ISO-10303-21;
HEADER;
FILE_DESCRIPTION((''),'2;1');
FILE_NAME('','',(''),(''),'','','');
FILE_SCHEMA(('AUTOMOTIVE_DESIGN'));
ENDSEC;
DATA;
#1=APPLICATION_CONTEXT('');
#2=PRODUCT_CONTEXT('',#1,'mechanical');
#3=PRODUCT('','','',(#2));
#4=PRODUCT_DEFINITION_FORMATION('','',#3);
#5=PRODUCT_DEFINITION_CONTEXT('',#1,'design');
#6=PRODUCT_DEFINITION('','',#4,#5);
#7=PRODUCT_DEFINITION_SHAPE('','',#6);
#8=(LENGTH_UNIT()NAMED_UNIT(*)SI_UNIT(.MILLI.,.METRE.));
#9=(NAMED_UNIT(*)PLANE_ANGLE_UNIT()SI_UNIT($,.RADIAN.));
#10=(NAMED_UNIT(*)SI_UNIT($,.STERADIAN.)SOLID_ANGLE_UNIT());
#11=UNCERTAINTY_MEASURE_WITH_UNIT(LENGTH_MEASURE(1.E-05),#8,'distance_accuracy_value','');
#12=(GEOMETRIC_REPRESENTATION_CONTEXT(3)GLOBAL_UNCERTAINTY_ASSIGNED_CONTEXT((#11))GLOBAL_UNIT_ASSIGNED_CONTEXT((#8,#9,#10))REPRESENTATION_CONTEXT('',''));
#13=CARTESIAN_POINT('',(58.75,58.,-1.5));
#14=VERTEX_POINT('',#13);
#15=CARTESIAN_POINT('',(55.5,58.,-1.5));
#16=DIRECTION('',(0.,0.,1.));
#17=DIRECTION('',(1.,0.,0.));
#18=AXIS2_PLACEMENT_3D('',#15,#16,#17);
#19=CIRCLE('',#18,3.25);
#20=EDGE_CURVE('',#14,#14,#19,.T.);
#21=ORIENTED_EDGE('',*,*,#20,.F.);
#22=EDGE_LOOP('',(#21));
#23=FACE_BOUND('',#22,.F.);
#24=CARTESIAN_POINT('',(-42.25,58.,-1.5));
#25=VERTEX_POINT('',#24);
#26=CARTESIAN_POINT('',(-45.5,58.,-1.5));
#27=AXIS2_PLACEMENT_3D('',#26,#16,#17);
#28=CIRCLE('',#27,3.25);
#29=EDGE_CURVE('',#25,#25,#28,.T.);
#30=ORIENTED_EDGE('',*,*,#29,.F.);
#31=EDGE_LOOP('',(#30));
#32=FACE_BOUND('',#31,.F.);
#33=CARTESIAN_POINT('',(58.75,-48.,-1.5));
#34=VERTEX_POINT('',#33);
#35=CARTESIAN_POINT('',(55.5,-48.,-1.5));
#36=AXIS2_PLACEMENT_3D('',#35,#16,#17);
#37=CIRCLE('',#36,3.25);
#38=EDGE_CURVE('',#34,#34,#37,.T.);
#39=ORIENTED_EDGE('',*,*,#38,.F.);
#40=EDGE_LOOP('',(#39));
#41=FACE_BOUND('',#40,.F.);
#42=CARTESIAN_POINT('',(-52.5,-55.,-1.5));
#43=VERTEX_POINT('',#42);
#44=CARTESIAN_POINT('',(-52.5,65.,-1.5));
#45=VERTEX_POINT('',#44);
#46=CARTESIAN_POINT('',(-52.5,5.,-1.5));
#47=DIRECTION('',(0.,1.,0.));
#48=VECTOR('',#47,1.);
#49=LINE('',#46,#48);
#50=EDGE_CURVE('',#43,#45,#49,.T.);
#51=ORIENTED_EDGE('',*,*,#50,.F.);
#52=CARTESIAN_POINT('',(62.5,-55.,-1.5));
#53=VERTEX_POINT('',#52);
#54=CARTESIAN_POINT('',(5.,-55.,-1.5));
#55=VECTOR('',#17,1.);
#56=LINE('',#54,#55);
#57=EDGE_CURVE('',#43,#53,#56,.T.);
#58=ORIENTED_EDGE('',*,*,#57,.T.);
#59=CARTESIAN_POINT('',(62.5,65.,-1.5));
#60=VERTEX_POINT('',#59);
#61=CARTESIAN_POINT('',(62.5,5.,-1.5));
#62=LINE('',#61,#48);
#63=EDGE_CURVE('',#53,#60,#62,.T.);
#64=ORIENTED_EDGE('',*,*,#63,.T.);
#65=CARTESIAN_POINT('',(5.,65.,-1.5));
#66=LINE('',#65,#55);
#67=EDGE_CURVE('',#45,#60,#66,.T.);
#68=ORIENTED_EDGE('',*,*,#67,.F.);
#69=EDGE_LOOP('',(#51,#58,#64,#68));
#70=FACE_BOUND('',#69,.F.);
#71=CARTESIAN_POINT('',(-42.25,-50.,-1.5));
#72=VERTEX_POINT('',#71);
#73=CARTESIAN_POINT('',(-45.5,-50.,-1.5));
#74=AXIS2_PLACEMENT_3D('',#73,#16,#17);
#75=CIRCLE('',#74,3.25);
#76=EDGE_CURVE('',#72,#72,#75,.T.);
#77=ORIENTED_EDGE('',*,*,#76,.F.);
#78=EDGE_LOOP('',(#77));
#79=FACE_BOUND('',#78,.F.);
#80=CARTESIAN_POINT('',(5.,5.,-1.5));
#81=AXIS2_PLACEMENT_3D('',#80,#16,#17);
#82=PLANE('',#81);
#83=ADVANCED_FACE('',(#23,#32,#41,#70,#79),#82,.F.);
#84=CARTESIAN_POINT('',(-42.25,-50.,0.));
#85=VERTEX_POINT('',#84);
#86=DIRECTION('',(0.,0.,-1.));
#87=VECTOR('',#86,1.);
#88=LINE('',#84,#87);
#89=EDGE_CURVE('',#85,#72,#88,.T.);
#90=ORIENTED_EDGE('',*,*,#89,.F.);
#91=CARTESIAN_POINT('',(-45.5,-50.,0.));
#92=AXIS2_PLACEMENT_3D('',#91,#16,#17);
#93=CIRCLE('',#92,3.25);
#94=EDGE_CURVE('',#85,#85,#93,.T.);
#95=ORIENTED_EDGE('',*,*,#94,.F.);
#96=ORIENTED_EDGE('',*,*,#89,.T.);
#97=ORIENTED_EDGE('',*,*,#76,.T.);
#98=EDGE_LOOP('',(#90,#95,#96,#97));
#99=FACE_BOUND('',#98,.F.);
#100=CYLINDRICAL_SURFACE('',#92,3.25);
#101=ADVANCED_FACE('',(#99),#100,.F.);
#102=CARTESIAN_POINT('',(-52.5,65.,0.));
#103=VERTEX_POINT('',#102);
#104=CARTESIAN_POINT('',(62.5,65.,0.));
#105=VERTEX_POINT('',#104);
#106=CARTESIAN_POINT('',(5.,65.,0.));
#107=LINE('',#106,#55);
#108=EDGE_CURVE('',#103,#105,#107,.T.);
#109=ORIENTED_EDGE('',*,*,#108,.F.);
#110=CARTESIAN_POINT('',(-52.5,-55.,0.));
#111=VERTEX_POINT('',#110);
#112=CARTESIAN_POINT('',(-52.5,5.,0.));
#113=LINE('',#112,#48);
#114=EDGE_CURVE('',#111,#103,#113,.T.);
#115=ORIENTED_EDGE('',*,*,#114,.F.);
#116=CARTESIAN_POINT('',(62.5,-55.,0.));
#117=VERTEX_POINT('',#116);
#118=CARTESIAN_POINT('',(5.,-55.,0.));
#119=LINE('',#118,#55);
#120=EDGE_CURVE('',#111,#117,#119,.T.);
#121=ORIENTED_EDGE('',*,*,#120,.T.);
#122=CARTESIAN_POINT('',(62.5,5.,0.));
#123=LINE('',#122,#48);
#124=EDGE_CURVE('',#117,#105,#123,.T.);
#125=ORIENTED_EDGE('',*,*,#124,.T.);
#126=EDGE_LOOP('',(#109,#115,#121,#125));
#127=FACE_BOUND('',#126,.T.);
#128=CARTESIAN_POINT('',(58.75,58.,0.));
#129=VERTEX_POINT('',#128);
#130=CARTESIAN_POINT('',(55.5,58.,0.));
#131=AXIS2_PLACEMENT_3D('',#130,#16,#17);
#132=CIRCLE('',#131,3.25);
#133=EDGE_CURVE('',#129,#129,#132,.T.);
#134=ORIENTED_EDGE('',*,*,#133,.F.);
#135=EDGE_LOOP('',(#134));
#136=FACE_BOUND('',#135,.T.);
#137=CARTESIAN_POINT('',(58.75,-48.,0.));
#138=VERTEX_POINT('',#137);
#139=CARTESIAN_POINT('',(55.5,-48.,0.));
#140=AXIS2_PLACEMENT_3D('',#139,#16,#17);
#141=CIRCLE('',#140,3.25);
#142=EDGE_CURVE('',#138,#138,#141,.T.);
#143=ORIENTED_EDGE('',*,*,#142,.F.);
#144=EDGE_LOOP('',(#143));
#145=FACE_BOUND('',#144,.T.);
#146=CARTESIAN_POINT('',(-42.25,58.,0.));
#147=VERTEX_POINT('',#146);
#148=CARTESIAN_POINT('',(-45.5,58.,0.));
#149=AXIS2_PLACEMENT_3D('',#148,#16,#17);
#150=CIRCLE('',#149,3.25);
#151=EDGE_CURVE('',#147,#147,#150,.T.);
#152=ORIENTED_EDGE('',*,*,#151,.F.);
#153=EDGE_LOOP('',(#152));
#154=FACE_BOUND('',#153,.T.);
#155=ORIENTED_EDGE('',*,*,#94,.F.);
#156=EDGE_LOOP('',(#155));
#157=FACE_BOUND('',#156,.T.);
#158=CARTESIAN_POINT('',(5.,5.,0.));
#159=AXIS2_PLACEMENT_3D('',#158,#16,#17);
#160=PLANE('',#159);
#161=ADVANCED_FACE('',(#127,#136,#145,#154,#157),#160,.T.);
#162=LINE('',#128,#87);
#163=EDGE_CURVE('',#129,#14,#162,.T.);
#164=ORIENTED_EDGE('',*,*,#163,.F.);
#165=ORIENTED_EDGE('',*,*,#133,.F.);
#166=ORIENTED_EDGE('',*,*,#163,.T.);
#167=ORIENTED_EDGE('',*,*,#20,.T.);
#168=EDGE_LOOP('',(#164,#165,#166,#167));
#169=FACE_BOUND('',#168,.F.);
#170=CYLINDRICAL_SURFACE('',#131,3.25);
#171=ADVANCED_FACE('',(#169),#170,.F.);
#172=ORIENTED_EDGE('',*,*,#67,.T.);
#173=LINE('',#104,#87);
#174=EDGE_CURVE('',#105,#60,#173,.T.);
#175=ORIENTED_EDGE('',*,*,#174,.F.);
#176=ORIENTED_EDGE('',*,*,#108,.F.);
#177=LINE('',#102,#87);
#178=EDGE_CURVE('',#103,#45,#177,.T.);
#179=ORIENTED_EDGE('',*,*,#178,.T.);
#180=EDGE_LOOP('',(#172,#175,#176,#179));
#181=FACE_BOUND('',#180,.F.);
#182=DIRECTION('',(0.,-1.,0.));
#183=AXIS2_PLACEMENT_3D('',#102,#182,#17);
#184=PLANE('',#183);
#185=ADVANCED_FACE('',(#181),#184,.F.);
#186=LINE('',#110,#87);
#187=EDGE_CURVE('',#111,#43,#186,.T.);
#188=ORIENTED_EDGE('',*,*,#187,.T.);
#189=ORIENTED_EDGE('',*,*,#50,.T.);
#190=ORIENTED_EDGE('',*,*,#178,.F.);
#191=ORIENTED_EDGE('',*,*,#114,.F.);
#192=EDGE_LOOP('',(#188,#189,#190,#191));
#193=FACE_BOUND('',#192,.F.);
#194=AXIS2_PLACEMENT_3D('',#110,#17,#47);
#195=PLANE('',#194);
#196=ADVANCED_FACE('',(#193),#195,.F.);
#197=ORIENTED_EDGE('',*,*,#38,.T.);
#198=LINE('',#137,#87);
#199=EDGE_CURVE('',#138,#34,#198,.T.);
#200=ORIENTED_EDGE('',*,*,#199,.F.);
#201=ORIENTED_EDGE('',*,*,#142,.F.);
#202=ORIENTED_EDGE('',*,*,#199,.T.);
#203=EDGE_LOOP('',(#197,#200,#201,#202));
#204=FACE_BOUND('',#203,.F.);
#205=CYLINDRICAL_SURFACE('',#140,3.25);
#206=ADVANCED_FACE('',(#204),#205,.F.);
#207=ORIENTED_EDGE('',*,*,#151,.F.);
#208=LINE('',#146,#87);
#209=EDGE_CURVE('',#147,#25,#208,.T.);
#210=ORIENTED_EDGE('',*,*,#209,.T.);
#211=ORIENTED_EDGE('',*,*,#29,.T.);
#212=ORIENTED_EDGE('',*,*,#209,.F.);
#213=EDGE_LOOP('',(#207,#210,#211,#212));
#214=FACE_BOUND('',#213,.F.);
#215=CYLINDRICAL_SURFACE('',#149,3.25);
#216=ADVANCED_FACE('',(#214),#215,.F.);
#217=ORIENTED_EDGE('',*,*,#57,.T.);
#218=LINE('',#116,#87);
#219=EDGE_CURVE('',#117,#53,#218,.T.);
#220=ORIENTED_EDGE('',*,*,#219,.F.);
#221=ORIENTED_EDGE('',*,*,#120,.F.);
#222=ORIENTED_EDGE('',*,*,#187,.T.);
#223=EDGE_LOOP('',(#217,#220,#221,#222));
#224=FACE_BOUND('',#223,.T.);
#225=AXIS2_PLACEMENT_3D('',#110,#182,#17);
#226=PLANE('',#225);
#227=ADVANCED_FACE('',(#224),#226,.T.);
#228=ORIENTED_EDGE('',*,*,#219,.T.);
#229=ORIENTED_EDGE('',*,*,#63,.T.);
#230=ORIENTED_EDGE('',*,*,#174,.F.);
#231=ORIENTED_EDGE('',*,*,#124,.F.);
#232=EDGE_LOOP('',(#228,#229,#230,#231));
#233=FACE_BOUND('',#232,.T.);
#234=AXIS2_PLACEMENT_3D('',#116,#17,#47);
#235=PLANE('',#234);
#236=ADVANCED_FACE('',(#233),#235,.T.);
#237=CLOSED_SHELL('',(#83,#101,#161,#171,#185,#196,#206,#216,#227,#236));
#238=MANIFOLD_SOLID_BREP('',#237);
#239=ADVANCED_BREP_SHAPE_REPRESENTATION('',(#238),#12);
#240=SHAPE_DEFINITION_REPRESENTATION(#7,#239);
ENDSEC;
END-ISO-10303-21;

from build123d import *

# Parameters (mm, degrees)
F0_W     = 115
F0_H     = 120
F0_R     = 3.25
F1_DEPTH = 1.5


with BuildPart() as f1:
    # F0 (on Top) → F1 (new body)
    with BuildSketch(Plane.XY):
        with Locations((5, 5)):
            Rectangle(F0_W, F0_H)
        with Locations((-45.5, -50)):
            Circle(F0_R, mode=Mode.SUBTRACT)
        with Locations((55.5, -48)):
            Circle(F0_R, mode=Mode.SUBTRACT)
        with Locations((-45.5, 58)):
            Circle(F0_R, mode=Mode.SUBTRACT)
        with Locations((55.5, 58)):
            Circle(F0_R, mode=Mode.SUBTRACT)
    extrude(amount=-F1_DEPTH)


solid = f1.part
